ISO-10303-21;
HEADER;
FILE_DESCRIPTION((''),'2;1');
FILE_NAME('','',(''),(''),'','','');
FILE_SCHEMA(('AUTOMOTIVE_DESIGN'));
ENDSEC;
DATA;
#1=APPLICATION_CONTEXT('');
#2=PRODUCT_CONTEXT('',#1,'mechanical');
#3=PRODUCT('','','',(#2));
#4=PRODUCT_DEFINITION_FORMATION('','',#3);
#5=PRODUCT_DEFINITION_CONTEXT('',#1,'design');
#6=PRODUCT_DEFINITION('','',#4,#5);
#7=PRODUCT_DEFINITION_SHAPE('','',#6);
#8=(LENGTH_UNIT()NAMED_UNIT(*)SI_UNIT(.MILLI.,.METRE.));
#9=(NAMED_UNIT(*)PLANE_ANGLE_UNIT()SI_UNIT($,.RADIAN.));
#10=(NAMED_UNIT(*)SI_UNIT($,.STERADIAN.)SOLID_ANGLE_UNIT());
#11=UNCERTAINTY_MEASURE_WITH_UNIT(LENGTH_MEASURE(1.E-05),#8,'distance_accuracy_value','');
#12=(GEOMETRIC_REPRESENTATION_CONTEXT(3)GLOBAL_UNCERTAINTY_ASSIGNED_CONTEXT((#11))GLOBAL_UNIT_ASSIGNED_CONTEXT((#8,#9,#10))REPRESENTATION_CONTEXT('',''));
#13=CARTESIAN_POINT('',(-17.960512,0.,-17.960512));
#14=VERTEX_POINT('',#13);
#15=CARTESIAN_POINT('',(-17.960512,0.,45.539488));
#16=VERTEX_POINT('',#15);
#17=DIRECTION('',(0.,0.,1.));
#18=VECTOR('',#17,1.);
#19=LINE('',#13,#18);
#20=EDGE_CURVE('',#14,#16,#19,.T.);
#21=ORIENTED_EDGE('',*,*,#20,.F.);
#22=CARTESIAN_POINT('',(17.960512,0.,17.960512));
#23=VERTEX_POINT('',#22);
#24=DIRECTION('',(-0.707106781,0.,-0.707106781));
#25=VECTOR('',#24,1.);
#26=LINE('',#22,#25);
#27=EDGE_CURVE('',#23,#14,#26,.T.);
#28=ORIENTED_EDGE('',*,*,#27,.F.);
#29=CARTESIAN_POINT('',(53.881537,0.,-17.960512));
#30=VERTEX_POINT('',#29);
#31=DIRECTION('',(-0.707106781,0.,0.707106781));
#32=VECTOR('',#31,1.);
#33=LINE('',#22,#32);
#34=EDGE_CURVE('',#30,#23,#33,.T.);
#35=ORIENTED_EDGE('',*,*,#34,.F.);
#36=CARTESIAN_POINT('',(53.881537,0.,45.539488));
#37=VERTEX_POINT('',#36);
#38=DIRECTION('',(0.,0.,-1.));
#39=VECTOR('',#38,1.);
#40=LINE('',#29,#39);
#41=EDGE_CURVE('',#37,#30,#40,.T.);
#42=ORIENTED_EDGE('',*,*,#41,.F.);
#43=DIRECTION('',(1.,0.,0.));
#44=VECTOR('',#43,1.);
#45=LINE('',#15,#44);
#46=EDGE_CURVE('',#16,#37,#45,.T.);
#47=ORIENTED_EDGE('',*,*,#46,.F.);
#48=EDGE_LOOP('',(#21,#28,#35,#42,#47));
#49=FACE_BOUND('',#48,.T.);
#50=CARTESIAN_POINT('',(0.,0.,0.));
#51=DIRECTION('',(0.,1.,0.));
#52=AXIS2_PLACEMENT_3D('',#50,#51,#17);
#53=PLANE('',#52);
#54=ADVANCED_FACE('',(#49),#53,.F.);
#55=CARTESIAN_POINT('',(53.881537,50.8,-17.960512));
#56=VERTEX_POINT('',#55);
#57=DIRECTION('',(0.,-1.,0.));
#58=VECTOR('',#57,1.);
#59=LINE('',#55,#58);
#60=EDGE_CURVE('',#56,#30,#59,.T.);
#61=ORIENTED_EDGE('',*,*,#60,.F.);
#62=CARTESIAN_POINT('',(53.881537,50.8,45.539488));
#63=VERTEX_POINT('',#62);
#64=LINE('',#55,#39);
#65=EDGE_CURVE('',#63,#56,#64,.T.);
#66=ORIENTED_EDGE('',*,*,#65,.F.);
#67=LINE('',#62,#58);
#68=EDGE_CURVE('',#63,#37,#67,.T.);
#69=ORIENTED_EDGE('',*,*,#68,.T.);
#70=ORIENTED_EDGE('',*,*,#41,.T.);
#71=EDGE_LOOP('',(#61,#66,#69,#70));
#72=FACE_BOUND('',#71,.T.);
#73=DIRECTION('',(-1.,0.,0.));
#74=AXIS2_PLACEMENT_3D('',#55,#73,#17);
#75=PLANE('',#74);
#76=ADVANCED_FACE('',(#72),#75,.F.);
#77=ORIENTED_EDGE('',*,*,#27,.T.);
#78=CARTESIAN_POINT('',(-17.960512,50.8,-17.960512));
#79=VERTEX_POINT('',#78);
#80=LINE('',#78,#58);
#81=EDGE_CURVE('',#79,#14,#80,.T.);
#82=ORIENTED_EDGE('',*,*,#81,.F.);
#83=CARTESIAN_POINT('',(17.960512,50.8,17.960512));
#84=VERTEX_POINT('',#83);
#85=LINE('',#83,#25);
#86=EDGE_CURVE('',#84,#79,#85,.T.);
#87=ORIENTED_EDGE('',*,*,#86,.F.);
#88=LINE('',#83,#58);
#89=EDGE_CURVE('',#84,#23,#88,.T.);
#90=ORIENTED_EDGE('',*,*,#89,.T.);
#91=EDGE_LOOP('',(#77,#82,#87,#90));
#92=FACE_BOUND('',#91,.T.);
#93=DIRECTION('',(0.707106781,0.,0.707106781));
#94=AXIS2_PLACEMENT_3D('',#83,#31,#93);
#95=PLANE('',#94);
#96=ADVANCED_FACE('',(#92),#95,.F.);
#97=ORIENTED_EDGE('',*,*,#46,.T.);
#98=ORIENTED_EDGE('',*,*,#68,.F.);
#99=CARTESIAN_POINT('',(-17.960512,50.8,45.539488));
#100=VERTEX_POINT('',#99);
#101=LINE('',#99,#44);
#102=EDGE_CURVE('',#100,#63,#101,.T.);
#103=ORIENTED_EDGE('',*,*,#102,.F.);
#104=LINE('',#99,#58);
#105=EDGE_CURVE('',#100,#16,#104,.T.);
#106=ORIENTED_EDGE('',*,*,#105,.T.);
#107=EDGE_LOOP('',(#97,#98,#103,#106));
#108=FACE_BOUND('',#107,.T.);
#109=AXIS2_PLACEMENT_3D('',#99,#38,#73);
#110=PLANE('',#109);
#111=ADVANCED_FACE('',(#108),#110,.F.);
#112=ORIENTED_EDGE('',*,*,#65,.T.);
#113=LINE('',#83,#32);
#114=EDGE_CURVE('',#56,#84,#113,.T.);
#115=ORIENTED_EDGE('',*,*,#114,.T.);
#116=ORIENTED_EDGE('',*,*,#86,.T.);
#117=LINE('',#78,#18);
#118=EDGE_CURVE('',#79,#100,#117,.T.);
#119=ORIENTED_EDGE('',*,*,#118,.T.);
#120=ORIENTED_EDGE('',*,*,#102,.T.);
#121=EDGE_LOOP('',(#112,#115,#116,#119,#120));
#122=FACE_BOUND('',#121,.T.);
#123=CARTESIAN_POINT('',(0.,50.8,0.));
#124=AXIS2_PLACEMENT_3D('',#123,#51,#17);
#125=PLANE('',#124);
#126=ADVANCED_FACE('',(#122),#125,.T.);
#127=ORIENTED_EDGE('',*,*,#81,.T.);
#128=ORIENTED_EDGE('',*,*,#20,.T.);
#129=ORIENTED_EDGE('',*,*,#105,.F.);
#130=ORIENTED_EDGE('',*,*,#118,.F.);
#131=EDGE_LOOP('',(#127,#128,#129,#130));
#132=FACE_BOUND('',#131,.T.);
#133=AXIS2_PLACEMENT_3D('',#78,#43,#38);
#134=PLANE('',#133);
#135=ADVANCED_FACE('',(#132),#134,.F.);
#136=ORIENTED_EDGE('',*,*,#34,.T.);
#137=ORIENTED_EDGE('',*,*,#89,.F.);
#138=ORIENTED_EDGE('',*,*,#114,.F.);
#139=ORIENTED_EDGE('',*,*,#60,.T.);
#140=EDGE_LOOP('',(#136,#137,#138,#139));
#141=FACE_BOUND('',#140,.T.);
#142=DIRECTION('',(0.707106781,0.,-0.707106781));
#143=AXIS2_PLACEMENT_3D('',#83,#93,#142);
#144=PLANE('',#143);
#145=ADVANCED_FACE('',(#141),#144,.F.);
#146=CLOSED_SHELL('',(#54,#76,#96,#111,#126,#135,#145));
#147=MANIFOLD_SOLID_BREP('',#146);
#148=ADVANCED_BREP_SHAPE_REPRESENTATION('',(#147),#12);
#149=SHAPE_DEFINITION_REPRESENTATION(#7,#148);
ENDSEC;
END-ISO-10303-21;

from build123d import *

# Parameters (mm, degrees)
BOSS_EXTRUDE1_DEPTH = 50.8


with BuildPart() as part:
    # Sketch3 → Boss-Extrude1 (new body)
    with BuildSketch(Plane(origin=(0, 0, 0), x_dir=(1, 0, 0), z_dir=(0, 1, 0))):
        Polygon((17.960512242, -17.960512242), (-17.960512242, 17.960512242), (-17.960512242, -45.539487758), (53.881536726, -45.539487758), (53.881536726, 17.960512242), align=None)
    extrude(amount=BOSS_EXTRUDE1_DEPTH)


solid = part.part
